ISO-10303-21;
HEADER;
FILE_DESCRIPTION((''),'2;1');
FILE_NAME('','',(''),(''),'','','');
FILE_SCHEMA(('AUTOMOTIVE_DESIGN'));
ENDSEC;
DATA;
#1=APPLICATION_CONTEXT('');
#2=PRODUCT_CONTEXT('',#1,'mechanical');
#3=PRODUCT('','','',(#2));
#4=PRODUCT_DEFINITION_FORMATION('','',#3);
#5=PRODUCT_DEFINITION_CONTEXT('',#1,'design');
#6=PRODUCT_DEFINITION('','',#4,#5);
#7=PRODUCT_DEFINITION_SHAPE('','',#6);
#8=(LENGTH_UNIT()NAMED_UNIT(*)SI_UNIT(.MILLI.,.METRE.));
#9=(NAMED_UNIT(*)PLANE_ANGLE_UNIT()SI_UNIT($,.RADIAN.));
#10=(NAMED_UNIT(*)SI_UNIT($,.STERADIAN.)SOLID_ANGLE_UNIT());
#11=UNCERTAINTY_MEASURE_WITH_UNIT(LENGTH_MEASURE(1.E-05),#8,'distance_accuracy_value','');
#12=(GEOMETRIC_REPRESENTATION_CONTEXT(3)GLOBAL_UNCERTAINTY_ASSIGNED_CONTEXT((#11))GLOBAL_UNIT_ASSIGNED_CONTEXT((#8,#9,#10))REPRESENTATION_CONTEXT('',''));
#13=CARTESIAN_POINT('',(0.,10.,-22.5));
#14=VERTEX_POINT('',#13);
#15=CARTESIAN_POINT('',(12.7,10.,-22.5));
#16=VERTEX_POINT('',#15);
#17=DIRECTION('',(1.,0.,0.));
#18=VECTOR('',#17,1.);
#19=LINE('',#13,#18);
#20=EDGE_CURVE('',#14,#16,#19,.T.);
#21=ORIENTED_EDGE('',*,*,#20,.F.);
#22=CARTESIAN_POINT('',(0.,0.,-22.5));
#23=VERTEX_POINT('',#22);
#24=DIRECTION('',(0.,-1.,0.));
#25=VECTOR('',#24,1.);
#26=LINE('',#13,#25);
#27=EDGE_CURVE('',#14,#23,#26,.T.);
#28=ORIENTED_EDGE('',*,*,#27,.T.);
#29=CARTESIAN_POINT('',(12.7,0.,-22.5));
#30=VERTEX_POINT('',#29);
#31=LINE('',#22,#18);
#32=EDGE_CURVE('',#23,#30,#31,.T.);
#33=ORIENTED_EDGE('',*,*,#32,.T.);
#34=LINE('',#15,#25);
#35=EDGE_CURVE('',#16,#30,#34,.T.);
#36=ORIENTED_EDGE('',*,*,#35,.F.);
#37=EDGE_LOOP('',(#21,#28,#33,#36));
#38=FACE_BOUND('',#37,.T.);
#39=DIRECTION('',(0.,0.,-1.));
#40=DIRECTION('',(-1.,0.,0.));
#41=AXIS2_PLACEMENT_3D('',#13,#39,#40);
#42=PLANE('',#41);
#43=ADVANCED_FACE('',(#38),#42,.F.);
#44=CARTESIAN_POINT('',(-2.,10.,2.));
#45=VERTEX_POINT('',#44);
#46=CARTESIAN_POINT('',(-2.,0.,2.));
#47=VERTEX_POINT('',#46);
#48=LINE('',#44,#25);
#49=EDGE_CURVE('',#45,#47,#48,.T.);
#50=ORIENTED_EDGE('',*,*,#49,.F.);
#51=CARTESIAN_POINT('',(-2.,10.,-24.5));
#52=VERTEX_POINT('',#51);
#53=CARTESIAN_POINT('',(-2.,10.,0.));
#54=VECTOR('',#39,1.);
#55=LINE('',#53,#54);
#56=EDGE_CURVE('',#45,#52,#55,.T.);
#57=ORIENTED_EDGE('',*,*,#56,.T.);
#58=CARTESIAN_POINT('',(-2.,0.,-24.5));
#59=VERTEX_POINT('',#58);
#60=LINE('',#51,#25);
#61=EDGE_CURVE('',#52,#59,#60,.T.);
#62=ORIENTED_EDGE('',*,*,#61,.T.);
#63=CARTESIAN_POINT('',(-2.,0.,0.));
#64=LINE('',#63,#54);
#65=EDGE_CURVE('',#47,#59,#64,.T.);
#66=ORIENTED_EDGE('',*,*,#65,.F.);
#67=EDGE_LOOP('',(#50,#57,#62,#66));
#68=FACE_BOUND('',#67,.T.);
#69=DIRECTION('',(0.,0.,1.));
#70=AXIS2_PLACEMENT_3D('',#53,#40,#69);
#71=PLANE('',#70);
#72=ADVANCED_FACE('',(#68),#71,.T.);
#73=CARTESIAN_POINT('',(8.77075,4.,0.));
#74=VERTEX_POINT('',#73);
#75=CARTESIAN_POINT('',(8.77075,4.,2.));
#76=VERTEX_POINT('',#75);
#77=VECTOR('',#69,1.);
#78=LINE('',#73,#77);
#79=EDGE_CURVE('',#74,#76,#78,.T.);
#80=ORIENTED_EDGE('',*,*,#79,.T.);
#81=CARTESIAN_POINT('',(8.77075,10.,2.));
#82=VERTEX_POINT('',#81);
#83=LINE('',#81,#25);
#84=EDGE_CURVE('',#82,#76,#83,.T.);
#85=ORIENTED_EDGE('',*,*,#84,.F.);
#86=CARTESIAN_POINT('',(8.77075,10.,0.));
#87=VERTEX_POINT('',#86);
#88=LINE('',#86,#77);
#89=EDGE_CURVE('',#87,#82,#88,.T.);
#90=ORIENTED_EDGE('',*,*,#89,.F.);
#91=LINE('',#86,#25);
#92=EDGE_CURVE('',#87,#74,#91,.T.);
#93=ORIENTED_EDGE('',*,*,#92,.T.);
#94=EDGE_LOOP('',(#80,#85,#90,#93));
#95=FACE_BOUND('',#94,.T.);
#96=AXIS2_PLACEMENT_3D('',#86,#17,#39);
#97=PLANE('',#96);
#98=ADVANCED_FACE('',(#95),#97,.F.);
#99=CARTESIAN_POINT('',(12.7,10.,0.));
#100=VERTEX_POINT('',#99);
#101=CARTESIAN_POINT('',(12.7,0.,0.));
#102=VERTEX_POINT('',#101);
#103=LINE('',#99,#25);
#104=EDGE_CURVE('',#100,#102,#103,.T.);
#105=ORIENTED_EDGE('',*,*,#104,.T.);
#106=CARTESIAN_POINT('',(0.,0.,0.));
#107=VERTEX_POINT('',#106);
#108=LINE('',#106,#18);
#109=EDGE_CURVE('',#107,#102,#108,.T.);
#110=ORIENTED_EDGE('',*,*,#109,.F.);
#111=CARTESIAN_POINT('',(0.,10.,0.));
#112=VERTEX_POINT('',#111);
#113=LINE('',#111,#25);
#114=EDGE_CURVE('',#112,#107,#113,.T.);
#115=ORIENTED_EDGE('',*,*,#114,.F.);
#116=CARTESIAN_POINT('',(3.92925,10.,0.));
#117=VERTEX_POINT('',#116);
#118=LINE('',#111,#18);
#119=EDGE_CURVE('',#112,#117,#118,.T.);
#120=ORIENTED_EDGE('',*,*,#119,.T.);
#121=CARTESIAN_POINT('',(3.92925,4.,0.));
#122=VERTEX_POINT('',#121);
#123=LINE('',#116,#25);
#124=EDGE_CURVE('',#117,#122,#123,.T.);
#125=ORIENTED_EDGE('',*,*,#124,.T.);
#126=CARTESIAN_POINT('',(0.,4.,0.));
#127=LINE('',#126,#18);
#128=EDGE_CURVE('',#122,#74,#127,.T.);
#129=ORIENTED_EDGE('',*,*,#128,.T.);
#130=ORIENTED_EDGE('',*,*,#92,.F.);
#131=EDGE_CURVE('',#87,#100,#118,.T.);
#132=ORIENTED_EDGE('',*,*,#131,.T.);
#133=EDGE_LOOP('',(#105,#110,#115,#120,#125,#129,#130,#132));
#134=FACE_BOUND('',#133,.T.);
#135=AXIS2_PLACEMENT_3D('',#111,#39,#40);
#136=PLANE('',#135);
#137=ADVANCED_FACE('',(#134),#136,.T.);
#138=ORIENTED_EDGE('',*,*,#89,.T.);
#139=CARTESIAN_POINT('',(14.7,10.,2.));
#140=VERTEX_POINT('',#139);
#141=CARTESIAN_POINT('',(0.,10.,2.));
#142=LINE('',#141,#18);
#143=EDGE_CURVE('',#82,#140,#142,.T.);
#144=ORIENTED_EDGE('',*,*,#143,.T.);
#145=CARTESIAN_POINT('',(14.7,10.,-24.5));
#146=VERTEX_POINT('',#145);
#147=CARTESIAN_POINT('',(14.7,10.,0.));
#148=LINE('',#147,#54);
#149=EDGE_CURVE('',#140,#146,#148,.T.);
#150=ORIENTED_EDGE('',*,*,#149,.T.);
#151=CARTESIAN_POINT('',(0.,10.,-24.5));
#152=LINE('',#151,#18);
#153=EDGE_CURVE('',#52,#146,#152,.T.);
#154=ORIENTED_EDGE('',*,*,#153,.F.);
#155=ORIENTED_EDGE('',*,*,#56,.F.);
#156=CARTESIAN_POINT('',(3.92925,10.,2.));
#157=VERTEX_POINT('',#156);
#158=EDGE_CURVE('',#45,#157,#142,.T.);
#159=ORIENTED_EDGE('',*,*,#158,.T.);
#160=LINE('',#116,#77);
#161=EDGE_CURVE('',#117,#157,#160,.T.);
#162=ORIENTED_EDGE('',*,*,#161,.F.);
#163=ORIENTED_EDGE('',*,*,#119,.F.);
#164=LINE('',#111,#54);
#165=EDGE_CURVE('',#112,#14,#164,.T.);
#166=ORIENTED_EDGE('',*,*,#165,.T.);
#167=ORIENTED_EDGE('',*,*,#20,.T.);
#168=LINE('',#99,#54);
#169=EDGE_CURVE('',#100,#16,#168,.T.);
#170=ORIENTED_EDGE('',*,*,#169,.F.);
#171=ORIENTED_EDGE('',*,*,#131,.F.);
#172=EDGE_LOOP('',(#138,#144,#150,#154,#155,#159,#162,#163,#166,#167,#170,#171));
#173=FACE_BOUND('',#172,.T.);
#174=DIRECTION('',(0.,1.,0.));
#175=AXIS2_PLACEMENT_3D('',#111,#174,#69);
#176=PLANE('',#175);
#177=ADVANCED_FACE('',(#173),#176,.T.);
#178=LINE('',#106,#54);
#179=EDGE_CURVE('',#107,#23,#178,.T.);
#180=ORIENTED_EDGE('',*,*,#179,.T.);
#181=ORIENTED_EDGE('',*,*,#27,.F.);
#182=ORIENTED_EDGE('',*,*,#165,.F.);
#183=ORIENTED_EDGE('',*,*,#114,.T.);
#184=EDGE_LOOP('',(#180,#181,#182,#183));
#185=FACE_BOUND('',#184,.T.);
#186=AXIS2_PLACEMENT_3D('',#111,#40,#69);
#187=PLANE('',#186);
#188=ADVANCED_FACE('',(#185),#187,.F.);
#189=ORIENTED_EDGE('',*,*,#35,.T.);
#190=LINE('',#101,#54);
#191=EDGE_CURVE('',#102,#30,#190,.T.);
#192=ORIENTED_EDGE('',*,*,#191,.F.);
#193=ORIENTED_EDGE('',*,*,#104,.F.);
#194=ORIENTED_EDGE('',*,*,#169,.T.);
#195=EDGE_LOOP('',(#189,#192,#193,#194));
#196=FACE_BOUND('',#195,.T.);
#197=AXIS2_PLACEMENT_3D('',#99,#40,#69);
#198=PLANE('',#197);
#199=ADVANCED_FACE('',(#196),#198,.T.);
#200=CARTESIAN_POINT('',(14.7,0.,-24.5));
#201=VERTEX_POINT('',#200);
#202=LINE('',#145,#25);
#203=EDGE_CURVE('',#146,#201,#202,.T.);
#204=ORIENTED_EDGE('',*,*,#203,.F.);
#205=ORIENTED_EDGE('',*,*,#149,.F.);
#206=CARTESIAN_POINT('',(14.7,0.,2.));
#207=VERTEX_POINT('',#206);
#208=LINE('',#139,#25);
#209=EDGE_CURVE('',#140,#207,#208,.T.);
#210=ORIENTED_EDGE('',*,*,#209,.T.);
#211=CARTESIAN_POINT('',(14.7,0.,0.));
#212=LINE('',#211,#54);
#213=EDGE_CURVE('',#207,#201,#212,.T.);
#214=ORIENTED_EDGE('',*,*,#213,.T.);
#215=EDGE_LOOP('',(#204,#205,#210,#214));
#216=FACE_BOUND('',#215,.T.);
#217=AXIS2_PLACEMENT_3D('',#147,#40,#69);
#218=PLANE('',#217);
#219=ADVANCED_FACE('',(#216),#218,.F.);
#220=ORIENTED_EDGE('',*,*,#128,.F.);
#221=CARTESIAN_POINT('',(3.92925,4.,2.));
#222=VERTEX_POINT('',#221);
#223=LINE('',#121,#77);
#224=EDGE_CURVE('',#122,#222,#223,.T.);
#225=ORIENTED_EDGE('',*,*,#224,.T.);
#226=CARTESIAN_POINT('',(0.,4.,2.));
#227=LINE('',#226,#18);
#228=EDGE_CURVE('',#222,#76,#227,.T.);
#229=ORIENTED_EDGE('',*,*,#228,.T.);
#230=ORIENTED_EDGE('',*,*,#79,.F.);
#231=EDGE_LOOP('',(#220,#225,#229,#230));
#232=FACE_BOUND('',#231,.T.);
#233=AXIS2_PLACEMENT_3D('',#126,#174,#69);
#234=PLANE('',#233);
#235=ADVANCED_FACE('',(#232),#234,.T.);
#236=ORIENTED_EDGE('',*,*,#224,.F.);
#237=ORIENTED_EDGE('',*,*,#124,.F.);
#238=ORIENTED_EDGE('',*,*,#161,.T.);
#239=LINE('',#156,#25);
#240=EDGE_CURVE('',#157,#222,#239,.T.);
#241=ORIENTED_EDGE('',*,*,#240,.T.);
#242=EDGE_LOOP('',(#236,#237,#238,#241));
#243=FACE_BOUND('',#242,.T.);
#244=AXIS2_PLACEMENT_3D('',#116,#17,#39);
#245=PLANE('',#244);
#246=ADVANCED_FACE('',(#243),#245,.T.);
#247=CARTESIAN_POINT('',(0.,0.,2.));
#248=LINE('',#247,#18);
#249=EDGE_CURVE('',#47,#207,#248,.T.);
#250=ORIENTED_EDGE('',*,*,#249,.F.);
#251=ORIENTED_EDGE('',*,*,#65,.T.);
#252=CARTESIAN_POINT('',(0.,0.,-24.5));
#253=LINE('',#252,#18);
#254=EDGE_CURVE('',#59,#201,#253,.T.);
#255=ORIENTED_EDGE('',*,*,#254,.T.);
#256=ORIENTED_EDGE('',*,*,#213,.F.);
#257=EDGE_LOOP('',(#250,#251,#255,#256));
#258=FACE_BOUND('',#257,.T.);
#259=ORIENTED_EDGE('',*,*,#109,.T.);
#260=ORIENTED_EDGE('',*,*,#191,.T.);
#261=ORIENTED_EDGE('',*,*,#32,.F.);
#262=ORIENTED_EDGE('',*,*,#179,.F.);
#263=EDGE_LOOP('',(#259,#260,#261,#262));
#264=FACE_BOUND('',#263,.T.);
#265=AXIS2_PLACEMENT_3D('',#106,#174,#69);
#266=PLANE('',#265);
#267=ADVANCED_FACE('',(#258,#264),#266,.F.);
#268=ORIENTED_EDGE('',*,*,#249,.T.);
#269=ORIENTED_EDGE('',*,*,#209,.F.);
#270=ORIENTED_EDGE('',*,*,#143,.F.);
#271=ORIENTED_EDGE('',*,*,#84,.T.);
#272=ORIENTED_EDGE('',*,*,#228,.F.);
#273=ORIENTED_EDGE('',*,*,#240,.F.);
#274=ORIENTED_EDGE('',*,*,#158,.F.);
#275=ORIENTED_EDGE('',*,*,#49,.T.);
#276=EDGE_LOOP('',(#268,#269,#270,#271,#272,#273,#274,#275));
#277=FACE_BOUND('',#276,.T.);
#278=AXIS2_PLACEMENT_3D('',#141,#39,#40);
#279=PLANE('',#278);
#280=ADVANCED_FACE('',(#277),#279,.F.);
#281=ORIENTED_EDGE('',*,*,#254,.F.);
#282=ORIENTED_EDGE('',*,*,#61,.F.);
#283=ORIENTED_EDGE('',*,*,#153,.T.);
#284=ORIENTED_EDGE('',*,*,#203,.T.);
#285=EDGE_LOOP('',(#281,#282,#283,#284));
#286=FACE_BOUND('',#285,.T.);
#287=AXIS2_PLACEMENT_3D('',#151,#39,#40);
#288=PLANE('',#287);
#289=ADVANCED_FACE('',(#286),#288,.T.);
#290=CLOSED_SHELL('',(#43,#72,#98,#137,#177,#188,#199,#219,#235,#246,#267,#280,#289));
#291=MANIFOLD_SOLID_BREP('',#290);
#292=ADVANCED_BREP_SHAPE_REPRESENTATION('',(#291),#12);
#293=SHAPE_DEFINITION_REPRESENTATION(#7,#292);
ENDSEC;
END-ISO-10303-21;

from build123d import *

# Parameters (mm, degrees)
BOSS_EXTRUDE1_DEPTH = 10
SKETCH1_3_W         = 4.841500156
SKETCH1_3_H         = 2
BOSS_EXTRUDE2_DEPTH = 4


with BuildPart() as part:
    # Sketch1 → Boss-Extrude1 (new body)
    with BuildSketch(Plane(origin=(0, 0, 0), x_dir=(1, 0, 0), z_dir=(0, 1, 0))):
        Polygon((3.929249922, 0), (0, 0), (0, 22.5), (12.7, 22.5), (12.7, 0), (8.770750078, 0), (8.770750078, -2), (14.7, -2), (14.7, 24.5), (-2, 24.5), (-2, -2), (3.929249922, -2), align=None)
    extrude(amount=BOSS_EXTRUDE1_DEPTH)

    # Sketch1<3> → Boss-Extrude2 (add)
    with BuildSketch(Plane(origin=(0, 0, 0), x_dir=(1, 0, 0), z_dir=(0, 1, 0))):
        with Locations((6.35, -1)):
            Rectangle(SKETCH1_3_W, SKETCH1_3_H)
    extrude(amount=BOSS_EXTRUDE2_DEPTH)


solid = part.part
